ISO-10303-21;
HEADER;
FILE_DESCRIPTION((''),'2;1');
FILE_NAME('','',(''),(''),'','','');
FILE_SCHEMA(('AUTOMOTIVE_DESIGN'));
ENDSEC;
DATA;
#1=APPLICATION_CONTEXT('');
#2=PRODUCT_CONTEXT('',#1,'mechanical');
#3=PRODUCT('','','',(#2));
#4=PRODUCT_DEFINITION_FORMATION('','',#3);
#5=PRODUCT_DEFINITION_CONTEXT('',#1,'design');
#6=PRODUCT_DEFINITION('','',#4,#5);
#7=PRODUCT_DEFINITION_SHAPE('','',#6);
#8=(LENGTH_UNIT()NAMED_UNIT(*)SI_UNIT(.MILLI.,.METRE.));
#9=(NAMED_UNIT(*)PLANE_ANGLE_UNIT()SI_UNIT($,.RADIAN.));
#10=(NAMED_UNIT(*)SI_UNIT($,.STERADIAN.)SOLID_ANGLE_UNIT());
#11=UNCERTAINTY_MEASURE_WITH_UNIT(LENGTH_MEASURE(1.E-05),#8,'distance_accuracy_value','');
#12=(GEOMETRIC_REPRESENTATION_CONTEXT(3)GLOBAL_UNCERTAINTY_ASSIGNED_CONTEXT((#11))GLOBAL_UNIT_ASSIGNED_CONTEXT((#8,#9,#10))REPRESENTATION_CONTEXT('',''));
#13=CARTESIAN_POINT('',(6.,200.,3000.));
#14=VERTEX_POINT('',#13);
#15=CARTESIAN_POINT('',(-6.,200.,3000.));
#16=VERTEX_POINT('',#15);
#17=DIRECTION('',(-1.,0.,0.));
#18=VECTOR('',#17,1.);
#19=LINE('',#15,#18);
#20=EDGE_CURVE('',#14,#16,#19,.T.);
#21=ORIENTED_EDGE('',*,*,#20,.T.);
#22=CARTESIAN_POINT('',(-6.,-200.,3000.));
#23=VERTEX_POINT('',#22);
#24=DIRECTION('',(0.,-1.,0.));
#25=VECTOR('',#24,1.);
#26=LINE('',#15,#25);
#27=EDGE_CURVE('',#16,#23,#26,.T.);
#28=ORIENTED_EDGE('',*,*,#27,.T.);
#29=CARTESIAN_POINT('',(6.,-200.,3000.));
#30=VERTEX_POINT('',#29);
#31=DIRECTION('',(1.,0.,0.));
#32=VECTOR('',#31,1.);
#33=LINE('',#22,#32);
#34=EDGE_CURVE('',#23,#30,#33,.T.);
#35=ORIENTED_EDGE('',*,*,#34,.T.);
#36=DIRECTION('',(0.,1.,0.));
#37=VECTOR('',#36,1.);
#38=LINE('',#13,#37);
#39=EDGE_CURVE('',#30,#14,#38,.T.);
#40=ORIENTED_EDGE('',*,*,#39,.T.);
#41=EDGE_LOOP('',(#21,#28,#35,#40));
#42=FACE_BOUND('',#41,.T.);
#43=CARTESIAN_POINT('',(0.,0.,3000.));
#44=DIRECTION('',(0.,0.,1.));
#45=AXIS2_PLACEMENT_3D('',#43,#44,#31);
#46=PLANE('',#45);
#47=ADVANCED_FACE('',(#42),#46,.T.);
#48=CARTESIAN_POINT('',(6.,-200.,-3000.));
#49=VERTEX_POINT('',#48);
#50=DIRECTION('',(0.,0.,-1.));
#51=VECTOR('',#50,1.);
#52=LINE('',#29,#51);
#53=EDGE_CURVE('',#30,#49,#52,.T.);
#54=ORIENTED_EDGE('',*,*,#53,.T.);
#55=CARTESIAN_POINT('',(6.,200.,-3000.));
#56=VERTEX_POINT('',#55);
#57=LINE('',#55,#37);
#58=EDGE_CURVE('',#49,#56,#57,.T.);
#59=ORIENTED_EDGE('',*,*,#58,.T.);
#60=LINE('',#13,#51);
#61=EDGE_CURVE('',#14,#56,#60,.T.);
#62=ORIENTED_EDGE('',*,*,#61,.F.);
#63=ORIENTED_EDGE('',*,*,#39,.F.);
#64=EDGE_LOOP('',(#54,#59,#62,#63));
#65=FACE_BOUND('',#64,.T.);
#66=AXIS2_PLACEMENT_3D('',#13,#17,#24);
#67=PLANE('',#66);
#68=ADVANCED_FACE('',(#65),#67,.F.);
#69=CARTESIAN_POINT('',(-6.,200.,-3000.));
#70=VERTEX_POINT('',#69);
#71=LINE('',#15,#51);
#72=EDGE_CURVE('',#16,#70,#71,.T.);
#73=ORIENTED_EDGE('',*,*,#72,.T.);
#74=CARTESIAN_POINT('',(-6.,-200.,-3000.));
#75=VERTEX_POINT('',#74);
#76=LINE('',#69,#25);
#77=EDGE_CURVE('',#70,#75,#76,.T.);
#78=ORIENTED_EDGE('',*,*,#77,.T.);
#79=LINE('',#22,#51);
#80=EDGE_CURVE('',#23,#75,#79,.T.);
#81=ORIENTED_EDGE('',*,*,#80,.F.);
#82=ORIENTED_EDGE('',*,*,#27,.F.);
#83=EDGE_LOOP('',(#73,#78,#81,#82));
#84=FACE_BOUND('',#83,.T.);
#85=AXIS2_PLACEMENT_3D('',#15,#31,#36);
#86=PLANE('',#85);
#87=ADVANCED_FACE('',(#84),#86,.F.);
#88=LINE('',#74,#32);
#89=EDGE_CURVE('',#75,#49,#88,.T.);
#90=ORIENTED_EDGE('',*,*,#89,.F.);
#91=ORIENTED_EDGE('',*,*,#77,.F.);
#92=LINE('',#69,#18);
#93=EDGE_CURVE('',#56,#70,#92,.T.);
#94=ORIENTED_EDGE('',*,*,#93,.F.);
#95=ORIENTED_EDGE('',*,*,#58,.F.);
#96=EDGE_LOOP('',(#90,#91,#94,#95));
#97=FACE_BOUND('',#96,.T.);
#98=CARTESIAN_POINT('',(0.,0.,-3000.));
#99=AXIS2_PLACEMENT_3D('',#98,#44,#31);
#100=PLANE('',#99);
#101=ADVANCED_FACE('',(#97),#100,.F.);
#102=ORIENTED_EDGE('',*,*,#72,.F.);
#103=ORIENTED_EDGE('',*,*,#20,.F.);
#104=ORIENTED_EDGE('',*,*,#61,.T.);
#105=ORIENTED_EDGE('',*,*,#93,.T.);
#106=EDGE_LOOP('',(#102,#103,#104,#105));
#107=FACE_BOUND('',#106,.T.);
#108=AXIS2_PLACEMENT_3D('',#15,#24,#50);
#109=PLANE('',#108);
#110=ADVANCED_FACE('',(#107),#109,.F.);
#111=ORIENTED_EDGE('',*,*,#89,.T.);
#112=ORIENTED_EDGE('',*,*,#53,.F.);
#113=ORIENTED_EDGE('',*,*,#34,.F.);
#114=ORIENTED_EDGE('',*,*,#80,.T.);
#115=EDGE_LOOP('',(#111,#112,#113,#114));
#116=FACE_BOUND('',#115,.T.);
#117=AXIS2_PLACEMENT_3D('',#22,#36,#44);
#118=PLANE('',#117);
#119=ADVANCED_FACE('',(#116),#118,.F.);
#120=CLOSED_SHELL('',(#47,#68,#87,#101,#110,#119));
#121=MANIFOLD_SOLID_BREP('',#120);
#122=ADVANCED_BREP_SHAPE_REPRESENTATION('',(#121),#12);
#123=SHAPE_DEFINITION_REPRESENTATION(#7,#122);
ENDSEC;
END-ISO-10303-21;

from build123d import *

# Parameters (mm, degrees)
SKETCH_1_W      = 12
SKETCH_1_H      = 400
EXTRUDE_1_DEPTH = 3000


with BuildPart() as part:
    # 草图1 → 凸台-拉伸1 (new, symmetric)
    with BuildSketch(Plane.XY):
        Rectangle(SKETCH_1_W, SKETCH_1_H)
    extrude(amount=EXTRUDE_1_DEPTH, both=True)


solid = part.part
